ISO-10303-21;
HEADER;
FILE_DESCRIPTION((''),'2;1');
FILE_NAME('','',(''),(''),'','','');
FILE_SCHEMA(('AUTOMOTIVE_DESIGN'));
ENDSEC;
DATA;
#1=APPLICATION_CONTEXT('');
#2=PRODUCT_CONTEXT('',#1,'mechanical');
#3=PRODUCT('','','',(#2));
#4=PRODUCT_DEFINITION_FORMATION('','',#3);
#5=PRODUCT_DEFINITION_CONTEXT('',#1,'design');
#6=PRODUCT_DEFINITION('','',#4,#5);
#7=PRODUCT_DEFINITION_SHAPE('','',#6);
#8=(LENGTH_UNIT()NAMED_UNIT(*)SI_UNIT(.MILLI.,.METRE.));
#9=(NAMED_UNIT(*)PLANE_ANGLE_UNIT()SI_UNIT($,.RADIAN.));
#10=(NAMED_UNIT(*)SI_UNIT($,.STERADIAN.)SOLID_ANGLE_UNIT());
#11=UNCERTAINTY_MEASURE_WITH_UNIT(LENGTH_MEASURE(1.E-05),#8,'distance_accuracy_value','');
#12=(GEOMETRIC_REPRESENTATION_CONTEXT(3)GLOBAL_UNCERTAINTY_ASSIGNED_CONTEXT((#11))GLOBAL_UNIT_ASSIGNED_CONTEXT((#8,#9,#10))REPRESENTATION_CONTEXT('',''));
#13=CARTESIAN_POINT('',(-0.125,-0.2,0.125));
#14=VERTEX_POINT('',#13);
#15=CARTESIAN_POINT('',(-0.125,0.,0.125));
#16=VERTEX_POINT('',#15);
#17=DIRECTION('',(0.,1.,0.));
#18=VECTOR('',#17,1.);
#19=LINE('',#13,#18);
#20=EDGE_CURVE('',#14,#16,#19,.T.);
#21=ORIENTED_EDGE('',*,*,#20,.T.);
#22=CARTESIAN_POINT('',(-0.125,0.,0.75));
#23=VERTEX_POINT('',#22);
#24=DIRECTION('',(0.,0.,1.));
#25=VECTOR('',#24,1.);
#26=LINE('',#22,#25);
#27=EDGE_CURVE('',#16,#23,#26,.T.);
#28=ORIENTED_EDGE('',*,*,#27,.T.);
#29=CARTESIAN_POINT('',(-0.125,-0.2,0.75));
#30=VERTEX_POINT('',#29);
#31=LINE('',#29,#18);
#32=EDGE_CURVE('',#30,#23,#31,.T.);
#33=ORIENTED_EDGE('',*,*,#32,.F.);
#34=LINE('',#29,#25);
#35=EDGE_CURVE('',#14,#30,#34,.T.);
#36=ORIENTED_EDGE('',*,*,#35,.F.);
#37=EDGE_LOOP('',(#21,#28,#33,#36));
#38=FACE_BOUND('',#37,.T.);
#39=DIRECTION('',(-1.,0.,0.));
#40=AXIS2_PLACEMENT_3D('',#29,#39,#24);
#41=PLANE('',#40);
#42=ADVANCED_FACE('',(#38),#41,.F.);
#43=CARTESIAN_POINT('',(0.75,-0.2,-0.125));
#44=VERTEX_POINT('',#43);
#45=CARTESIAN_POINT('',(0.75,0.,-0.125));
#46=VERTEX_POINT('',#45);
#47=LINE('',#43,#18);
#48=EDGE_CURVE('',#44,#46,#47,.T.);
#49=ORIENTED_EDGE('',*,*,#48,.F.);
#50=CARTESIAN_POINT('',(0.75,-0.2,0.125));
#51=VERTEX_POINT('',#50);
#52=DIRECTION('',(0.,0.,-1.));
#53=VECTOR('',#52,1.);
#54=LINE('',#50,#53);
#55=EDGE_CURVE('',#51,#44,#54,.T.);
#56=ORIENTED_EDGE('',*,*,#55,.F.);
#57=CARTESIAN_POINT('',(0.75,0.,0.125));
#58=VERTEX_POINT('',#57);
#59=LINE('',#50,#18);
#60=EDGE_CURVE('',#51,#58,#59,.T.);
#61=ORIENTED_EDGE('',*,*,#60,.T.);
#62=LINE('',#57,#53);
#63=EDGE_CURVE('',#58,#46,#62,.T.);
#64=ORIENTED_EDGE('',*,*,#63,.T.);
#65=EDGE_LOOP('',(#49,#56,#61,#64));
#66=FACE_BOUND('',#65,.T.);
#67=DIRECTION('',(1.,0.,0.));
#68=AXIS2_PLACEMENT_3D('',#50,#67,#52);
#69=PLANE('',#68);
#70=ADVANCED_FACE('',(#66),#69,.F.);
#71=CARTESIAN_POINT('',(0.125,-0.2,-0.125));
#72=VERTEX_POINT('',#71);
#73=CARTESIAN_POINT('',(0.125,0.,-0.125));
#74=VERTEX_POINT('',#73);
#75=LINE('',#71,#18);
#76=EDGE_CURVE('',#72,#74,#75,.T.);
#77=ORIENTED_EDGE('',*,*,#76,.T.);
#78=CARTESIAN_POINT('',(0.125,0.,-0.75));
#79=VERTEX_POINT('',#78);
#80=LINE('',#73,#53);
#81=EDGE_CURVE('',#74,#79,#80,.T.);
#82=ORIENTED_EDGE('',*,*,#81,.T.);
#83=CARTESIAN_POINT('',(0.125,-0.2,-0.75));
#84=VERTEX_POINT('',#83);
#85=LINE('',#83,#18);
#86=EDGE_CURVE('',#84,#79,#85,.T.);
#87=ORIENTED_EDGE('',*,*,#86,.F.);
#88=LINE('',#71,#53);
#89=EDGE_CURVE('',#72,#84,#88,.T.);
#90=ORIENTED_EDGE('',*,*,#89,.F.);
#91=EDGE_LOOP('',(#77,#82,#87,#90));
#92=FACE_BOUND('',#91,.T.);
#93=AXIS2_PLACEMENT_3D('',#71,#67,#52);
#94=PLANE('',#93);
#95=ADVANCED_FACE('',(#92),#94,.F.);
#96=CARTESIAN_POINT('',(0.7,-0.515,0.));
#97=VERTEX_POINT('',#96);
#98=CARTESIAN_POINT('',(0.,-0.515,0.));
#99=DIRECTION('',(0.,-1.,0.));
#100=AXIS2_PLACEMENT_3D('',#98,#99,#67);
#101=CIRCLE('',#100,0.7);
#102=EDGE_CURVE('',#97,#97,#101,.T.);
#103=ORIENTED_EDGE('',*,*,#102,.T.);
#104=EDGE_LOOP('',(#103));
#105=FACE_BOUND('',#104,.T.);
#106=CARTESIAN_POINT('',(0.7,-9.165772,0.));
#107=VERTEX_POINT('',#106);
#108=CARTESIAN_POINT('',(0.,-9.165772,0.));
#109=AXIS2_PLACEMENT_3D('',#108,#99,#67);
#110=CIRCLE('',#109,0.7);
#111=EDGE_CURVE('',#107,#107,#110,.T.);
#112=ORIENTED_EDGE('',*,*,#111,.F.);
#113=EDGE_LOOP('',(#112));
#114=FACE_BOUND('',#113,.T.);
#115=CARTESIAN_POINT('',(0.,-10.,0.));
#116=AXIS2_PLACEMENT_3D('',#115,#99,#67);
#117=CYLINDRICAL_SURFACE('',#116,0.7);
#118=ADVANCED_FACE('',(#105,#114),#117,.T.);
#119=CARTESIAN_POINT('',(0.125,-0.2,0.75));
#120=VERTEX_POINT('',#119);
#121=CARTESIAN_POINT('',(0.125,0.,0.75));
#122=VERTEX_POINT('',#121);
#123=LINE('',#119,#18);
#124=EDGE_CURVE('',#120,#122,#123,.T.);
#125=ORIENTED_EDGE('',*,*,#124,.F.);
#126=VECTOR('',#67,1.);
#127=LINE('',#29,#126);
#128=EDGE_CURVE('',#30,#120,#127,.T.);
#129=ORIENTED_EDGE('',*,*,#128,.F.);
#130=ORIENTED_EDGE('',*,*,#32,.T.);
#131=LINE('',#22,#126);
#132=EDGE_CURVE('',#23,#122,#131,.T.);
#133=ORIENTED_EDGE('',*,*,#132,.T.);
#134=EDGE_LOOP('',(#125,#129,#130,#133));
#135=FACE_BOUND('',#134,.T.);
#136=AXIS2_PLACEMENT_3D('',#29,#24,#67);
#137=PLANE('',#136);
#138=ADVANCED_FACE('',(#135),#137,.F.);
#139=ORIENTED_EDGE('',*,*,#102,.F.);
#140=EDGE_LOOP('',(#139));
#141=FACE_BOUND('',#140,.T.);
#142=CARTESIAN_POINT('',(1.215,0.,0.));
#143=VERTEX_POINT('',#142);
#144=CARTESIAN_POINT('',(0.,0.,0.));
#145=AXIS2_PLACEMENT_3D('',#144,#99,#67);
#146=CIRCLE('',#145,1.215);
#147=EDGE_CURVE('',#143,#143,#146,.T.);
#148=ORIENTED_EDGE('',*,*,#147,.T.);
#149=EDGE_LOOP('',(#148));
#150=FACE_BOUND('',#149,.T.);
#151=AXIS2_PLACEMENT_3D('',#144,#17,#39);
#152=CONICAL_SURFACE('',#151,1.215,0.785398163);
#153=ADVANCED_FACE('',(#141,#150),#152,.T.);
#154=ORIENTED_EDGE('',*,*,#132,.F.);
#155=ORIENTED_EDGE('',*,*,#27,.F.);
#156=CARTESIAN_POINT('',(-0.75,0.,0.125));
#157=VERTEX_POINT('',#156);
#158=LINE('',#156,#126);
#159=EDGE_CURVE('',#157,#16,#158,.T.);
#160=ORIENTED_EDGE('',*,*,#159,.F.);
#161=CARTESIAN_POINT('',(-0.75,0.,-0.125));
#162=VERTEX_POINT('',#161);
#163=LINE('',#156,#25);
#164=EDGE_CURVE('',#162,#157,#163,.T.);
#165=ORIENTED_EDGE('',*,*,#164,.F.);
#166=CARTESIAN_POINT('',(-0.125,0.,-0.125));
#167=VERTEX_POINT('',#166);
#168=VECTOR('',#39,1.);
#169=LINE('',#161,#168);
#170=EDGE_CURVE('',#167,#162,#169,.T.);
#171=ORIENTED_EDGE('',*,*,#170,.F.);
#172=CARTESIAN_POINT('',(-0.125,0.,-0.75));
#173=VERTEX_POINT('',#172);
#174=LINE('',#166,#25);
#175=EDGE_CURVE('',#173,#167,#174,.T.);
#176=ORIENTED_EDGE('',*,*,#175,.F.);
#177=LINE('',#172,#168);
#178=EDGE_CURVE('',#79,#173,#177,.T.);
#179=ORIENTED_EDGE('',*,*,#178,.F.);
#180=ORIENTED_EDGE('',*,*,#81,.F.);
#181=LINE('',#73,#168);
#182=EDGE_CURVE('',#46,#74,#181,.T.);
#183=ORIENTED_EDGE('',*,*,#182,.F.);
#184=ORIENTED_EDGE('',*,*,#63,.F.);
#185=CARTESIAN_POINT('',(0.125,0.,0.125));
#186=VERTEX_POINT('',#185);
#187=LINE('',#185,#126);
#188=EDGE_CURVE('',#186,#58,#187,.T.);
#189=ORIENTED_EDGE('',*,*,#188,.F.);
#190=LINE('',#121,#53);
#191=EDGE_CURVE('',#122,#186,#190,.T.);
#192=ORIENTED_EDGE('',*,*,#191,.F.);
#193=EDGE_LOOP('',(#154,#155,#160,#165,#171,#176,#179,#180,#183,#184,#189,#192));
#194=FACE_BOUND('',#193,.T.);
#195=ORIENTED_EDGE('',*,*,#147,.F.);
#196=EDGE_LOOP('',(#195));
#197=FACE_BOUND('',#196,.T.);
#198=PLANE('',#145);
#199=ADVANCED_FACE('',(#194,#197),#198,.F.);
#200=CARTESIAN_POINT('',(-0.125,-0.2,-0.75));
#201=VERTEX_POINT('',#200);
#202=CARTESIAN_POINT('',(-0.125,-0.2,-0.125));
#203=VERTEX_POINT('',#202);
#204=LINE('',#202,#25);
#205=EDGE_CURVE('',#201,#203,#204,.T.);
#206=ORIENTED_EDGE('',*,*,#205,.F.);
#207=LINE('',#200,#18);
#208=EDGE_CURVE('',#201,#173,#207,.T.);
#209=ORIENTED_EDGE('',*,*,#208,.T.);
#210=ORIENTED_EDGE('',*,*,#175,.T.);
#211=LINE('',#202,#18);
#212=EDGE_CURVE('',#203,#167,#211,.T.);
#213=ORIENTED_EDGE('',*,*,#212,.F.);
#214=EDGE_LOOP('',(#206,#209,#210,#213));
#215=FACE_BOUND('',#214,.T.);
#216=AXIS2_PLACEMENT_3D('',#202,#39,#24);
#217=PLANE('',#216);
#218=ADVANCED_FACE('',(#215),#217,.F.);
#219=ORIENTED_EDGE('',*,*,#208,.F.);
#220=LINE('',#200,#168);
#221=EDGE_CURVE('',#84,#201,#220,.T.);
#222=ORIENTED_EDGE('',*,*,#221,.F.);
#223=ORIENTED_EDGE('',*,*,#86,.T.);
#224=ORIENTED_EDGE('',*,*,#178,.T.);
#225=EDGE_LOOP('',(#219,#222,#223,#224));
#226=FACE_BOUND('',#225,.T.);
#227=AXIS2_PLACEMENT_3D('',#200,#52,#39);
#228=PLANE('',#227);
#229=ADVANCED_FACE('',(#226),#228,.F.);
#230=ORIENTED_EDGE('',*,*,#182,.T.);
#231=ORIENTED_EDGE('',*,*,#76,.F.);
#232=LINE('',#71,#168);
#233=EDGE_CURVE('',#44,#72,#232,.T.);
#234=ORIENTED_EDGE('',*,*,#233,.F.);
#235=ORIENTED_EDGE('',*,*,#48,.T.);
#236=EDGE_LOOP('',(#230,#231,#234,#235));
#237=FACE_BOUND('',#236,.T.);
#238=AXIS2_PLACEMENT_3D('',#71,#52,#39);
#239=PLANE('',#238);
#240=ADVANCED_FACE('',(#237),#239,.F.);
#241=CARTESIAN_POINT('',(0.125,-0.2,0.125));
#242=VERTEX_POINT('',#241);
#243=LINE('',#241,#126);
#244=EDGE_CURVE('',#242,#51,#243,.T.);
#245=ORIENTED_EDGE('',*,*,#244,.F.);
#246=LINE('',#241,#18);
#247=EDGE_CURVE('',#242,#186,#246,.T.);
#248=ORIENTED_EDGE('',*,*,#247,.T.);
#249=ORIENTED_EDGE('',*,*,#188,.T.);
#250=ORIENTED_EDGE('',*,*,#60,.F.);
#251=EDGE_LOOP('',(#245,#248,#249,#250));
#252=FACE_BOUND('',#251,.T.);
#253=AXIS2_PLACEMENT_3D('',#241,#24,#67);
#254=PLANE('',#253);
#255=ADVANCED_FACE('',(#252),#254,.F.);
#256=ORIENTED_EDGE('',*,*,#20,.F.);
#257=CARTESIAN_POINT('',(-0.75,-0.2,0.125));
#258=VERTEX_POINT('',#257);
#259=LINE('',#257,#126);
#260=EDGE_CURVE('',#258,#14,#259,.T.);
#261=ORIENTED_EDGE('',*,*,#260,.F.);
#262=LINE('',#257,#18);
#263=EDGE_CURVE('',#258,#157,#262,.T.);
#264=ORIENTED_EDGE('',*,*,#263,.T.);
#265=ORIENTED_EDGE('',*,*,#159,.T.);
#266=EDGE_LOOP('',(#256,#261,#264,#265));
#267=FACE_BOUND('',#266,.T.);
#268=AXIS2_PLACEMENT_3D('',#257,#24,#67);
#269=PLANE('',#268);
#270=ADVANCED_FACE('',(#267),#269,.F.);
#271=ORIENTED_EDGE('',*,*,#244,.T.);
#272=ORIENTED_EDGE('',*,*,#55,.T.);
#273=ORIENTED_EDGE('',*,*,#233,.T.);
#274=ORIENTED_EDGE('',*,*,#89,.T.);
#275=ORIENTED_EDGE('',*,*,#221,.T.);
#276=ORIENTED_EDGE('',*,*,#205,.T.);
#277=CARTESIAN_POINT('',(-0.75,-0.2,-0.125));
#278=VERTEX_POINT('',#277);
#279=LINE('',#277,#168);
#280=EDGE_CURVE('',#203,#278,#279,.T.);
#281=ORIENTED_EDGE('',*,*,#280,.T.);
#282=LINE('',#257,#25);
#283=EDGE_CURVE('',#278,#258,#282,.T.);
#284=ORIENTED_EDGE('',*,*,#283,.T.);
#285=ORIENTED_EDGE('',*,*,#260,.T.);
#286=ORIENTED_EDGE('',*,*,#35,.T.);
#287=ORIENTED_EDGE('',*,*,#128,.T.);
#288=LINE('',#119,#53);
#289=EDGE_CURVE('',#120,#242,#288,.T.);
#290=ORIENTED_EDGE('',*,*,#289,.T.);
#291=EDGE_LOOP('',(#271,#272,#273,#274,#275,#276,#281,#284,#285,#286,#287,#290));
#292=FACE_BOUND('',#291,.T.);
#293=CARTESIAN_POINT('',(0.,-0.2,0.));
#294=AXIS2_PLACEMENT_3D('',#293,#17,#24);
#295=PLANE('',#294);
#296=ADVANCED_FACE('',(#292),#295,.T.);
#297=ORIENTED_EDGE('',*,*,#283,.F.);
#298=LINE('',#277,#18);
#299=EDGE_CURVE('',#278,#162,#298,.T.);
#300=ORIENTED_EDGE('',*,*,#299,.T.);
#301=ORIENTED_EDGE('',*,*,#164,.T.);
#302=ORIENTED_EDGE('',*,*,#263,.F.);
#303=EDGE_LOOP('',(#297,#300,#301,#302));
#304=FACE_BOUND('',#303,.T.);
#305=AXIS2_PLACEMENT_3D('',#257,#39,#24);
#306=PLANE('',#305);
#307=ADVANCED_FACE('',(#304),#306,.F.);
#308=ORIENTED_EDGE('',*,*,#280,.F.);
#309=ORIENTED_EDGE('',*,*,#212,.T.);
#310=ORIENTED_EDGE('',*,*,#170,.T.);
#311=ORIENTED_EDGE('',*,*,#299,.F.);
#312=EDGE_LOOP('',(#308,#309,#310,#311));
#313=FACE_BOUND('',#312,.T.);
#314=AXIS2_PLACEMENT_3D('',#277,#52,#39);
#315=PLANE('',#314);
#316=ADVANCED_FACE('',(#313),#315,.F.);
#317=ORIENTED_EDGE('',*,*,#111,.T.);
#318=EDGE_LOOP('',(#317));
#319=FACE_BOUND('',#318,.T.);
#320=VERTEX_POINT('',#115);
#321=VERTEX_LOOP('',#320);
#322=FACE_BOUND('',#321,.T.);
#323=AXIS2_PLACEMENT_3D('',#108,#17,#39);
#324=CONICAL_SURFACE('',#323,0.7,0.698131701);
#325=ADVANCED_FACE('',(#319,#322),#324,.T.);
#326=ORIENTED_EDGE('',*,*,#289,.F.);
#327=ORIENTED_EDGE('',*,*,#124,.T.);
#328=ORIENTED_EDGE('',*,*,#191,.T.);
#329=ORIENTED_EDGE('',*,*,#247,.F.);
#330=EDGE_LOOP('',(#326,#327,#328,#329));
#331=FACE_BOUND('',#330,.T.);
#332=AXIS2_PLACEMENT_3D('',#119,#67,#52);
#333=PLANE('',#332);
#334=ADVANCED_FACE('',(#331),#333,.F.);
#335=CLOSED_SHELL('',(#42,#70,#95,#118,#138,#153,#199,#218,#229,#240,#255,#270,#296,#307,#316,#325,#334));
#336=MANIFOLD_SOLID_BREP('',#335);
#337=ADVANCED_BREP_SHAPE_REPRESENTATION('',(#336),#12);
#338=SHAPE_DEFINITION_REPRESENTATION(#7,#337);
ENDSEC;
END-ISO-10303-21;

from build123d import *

# Parameters (mm, degrees)
CUT_EXTRUDE1_DEPTH = 0.2


with BuildPart() as part:
    # Sketch1 → Revolve1 (revolve)
    with BuildSketch(Plane.XY):
        Polygon((0, 0), (-1.215, 0), (-0.7, -0.515), (-0.7, -9.165772485), (0, -10), align=None)
    revolve(axis=Axis((0, -10, 0), (0, 1, 0)))

    # Sketch2 → Cut-Extrude1 (cut)
    with BuildSketch(Plane(origin=(0, 0, 0), x_dir=(1, 0, 0), z_dir=(0, 1, 0))):
        Polygon((-0.75, -0.125), (-0.125, -0.125), (-0.125, -0.75), (0.125, -0.75), (0.125, -0.125), (0.75, -0.125), (0.75, 0.125), (0.125, 0.125), (0.125, 0.75), (-0.125, 0.75), (-0.125, 0.125), (-0.75, 0.125), align=None)
    extrude(amount=-CUT_EXTRUDE1_DEPTH, mode=Mode.SUBTRACT)


solid = part.part
